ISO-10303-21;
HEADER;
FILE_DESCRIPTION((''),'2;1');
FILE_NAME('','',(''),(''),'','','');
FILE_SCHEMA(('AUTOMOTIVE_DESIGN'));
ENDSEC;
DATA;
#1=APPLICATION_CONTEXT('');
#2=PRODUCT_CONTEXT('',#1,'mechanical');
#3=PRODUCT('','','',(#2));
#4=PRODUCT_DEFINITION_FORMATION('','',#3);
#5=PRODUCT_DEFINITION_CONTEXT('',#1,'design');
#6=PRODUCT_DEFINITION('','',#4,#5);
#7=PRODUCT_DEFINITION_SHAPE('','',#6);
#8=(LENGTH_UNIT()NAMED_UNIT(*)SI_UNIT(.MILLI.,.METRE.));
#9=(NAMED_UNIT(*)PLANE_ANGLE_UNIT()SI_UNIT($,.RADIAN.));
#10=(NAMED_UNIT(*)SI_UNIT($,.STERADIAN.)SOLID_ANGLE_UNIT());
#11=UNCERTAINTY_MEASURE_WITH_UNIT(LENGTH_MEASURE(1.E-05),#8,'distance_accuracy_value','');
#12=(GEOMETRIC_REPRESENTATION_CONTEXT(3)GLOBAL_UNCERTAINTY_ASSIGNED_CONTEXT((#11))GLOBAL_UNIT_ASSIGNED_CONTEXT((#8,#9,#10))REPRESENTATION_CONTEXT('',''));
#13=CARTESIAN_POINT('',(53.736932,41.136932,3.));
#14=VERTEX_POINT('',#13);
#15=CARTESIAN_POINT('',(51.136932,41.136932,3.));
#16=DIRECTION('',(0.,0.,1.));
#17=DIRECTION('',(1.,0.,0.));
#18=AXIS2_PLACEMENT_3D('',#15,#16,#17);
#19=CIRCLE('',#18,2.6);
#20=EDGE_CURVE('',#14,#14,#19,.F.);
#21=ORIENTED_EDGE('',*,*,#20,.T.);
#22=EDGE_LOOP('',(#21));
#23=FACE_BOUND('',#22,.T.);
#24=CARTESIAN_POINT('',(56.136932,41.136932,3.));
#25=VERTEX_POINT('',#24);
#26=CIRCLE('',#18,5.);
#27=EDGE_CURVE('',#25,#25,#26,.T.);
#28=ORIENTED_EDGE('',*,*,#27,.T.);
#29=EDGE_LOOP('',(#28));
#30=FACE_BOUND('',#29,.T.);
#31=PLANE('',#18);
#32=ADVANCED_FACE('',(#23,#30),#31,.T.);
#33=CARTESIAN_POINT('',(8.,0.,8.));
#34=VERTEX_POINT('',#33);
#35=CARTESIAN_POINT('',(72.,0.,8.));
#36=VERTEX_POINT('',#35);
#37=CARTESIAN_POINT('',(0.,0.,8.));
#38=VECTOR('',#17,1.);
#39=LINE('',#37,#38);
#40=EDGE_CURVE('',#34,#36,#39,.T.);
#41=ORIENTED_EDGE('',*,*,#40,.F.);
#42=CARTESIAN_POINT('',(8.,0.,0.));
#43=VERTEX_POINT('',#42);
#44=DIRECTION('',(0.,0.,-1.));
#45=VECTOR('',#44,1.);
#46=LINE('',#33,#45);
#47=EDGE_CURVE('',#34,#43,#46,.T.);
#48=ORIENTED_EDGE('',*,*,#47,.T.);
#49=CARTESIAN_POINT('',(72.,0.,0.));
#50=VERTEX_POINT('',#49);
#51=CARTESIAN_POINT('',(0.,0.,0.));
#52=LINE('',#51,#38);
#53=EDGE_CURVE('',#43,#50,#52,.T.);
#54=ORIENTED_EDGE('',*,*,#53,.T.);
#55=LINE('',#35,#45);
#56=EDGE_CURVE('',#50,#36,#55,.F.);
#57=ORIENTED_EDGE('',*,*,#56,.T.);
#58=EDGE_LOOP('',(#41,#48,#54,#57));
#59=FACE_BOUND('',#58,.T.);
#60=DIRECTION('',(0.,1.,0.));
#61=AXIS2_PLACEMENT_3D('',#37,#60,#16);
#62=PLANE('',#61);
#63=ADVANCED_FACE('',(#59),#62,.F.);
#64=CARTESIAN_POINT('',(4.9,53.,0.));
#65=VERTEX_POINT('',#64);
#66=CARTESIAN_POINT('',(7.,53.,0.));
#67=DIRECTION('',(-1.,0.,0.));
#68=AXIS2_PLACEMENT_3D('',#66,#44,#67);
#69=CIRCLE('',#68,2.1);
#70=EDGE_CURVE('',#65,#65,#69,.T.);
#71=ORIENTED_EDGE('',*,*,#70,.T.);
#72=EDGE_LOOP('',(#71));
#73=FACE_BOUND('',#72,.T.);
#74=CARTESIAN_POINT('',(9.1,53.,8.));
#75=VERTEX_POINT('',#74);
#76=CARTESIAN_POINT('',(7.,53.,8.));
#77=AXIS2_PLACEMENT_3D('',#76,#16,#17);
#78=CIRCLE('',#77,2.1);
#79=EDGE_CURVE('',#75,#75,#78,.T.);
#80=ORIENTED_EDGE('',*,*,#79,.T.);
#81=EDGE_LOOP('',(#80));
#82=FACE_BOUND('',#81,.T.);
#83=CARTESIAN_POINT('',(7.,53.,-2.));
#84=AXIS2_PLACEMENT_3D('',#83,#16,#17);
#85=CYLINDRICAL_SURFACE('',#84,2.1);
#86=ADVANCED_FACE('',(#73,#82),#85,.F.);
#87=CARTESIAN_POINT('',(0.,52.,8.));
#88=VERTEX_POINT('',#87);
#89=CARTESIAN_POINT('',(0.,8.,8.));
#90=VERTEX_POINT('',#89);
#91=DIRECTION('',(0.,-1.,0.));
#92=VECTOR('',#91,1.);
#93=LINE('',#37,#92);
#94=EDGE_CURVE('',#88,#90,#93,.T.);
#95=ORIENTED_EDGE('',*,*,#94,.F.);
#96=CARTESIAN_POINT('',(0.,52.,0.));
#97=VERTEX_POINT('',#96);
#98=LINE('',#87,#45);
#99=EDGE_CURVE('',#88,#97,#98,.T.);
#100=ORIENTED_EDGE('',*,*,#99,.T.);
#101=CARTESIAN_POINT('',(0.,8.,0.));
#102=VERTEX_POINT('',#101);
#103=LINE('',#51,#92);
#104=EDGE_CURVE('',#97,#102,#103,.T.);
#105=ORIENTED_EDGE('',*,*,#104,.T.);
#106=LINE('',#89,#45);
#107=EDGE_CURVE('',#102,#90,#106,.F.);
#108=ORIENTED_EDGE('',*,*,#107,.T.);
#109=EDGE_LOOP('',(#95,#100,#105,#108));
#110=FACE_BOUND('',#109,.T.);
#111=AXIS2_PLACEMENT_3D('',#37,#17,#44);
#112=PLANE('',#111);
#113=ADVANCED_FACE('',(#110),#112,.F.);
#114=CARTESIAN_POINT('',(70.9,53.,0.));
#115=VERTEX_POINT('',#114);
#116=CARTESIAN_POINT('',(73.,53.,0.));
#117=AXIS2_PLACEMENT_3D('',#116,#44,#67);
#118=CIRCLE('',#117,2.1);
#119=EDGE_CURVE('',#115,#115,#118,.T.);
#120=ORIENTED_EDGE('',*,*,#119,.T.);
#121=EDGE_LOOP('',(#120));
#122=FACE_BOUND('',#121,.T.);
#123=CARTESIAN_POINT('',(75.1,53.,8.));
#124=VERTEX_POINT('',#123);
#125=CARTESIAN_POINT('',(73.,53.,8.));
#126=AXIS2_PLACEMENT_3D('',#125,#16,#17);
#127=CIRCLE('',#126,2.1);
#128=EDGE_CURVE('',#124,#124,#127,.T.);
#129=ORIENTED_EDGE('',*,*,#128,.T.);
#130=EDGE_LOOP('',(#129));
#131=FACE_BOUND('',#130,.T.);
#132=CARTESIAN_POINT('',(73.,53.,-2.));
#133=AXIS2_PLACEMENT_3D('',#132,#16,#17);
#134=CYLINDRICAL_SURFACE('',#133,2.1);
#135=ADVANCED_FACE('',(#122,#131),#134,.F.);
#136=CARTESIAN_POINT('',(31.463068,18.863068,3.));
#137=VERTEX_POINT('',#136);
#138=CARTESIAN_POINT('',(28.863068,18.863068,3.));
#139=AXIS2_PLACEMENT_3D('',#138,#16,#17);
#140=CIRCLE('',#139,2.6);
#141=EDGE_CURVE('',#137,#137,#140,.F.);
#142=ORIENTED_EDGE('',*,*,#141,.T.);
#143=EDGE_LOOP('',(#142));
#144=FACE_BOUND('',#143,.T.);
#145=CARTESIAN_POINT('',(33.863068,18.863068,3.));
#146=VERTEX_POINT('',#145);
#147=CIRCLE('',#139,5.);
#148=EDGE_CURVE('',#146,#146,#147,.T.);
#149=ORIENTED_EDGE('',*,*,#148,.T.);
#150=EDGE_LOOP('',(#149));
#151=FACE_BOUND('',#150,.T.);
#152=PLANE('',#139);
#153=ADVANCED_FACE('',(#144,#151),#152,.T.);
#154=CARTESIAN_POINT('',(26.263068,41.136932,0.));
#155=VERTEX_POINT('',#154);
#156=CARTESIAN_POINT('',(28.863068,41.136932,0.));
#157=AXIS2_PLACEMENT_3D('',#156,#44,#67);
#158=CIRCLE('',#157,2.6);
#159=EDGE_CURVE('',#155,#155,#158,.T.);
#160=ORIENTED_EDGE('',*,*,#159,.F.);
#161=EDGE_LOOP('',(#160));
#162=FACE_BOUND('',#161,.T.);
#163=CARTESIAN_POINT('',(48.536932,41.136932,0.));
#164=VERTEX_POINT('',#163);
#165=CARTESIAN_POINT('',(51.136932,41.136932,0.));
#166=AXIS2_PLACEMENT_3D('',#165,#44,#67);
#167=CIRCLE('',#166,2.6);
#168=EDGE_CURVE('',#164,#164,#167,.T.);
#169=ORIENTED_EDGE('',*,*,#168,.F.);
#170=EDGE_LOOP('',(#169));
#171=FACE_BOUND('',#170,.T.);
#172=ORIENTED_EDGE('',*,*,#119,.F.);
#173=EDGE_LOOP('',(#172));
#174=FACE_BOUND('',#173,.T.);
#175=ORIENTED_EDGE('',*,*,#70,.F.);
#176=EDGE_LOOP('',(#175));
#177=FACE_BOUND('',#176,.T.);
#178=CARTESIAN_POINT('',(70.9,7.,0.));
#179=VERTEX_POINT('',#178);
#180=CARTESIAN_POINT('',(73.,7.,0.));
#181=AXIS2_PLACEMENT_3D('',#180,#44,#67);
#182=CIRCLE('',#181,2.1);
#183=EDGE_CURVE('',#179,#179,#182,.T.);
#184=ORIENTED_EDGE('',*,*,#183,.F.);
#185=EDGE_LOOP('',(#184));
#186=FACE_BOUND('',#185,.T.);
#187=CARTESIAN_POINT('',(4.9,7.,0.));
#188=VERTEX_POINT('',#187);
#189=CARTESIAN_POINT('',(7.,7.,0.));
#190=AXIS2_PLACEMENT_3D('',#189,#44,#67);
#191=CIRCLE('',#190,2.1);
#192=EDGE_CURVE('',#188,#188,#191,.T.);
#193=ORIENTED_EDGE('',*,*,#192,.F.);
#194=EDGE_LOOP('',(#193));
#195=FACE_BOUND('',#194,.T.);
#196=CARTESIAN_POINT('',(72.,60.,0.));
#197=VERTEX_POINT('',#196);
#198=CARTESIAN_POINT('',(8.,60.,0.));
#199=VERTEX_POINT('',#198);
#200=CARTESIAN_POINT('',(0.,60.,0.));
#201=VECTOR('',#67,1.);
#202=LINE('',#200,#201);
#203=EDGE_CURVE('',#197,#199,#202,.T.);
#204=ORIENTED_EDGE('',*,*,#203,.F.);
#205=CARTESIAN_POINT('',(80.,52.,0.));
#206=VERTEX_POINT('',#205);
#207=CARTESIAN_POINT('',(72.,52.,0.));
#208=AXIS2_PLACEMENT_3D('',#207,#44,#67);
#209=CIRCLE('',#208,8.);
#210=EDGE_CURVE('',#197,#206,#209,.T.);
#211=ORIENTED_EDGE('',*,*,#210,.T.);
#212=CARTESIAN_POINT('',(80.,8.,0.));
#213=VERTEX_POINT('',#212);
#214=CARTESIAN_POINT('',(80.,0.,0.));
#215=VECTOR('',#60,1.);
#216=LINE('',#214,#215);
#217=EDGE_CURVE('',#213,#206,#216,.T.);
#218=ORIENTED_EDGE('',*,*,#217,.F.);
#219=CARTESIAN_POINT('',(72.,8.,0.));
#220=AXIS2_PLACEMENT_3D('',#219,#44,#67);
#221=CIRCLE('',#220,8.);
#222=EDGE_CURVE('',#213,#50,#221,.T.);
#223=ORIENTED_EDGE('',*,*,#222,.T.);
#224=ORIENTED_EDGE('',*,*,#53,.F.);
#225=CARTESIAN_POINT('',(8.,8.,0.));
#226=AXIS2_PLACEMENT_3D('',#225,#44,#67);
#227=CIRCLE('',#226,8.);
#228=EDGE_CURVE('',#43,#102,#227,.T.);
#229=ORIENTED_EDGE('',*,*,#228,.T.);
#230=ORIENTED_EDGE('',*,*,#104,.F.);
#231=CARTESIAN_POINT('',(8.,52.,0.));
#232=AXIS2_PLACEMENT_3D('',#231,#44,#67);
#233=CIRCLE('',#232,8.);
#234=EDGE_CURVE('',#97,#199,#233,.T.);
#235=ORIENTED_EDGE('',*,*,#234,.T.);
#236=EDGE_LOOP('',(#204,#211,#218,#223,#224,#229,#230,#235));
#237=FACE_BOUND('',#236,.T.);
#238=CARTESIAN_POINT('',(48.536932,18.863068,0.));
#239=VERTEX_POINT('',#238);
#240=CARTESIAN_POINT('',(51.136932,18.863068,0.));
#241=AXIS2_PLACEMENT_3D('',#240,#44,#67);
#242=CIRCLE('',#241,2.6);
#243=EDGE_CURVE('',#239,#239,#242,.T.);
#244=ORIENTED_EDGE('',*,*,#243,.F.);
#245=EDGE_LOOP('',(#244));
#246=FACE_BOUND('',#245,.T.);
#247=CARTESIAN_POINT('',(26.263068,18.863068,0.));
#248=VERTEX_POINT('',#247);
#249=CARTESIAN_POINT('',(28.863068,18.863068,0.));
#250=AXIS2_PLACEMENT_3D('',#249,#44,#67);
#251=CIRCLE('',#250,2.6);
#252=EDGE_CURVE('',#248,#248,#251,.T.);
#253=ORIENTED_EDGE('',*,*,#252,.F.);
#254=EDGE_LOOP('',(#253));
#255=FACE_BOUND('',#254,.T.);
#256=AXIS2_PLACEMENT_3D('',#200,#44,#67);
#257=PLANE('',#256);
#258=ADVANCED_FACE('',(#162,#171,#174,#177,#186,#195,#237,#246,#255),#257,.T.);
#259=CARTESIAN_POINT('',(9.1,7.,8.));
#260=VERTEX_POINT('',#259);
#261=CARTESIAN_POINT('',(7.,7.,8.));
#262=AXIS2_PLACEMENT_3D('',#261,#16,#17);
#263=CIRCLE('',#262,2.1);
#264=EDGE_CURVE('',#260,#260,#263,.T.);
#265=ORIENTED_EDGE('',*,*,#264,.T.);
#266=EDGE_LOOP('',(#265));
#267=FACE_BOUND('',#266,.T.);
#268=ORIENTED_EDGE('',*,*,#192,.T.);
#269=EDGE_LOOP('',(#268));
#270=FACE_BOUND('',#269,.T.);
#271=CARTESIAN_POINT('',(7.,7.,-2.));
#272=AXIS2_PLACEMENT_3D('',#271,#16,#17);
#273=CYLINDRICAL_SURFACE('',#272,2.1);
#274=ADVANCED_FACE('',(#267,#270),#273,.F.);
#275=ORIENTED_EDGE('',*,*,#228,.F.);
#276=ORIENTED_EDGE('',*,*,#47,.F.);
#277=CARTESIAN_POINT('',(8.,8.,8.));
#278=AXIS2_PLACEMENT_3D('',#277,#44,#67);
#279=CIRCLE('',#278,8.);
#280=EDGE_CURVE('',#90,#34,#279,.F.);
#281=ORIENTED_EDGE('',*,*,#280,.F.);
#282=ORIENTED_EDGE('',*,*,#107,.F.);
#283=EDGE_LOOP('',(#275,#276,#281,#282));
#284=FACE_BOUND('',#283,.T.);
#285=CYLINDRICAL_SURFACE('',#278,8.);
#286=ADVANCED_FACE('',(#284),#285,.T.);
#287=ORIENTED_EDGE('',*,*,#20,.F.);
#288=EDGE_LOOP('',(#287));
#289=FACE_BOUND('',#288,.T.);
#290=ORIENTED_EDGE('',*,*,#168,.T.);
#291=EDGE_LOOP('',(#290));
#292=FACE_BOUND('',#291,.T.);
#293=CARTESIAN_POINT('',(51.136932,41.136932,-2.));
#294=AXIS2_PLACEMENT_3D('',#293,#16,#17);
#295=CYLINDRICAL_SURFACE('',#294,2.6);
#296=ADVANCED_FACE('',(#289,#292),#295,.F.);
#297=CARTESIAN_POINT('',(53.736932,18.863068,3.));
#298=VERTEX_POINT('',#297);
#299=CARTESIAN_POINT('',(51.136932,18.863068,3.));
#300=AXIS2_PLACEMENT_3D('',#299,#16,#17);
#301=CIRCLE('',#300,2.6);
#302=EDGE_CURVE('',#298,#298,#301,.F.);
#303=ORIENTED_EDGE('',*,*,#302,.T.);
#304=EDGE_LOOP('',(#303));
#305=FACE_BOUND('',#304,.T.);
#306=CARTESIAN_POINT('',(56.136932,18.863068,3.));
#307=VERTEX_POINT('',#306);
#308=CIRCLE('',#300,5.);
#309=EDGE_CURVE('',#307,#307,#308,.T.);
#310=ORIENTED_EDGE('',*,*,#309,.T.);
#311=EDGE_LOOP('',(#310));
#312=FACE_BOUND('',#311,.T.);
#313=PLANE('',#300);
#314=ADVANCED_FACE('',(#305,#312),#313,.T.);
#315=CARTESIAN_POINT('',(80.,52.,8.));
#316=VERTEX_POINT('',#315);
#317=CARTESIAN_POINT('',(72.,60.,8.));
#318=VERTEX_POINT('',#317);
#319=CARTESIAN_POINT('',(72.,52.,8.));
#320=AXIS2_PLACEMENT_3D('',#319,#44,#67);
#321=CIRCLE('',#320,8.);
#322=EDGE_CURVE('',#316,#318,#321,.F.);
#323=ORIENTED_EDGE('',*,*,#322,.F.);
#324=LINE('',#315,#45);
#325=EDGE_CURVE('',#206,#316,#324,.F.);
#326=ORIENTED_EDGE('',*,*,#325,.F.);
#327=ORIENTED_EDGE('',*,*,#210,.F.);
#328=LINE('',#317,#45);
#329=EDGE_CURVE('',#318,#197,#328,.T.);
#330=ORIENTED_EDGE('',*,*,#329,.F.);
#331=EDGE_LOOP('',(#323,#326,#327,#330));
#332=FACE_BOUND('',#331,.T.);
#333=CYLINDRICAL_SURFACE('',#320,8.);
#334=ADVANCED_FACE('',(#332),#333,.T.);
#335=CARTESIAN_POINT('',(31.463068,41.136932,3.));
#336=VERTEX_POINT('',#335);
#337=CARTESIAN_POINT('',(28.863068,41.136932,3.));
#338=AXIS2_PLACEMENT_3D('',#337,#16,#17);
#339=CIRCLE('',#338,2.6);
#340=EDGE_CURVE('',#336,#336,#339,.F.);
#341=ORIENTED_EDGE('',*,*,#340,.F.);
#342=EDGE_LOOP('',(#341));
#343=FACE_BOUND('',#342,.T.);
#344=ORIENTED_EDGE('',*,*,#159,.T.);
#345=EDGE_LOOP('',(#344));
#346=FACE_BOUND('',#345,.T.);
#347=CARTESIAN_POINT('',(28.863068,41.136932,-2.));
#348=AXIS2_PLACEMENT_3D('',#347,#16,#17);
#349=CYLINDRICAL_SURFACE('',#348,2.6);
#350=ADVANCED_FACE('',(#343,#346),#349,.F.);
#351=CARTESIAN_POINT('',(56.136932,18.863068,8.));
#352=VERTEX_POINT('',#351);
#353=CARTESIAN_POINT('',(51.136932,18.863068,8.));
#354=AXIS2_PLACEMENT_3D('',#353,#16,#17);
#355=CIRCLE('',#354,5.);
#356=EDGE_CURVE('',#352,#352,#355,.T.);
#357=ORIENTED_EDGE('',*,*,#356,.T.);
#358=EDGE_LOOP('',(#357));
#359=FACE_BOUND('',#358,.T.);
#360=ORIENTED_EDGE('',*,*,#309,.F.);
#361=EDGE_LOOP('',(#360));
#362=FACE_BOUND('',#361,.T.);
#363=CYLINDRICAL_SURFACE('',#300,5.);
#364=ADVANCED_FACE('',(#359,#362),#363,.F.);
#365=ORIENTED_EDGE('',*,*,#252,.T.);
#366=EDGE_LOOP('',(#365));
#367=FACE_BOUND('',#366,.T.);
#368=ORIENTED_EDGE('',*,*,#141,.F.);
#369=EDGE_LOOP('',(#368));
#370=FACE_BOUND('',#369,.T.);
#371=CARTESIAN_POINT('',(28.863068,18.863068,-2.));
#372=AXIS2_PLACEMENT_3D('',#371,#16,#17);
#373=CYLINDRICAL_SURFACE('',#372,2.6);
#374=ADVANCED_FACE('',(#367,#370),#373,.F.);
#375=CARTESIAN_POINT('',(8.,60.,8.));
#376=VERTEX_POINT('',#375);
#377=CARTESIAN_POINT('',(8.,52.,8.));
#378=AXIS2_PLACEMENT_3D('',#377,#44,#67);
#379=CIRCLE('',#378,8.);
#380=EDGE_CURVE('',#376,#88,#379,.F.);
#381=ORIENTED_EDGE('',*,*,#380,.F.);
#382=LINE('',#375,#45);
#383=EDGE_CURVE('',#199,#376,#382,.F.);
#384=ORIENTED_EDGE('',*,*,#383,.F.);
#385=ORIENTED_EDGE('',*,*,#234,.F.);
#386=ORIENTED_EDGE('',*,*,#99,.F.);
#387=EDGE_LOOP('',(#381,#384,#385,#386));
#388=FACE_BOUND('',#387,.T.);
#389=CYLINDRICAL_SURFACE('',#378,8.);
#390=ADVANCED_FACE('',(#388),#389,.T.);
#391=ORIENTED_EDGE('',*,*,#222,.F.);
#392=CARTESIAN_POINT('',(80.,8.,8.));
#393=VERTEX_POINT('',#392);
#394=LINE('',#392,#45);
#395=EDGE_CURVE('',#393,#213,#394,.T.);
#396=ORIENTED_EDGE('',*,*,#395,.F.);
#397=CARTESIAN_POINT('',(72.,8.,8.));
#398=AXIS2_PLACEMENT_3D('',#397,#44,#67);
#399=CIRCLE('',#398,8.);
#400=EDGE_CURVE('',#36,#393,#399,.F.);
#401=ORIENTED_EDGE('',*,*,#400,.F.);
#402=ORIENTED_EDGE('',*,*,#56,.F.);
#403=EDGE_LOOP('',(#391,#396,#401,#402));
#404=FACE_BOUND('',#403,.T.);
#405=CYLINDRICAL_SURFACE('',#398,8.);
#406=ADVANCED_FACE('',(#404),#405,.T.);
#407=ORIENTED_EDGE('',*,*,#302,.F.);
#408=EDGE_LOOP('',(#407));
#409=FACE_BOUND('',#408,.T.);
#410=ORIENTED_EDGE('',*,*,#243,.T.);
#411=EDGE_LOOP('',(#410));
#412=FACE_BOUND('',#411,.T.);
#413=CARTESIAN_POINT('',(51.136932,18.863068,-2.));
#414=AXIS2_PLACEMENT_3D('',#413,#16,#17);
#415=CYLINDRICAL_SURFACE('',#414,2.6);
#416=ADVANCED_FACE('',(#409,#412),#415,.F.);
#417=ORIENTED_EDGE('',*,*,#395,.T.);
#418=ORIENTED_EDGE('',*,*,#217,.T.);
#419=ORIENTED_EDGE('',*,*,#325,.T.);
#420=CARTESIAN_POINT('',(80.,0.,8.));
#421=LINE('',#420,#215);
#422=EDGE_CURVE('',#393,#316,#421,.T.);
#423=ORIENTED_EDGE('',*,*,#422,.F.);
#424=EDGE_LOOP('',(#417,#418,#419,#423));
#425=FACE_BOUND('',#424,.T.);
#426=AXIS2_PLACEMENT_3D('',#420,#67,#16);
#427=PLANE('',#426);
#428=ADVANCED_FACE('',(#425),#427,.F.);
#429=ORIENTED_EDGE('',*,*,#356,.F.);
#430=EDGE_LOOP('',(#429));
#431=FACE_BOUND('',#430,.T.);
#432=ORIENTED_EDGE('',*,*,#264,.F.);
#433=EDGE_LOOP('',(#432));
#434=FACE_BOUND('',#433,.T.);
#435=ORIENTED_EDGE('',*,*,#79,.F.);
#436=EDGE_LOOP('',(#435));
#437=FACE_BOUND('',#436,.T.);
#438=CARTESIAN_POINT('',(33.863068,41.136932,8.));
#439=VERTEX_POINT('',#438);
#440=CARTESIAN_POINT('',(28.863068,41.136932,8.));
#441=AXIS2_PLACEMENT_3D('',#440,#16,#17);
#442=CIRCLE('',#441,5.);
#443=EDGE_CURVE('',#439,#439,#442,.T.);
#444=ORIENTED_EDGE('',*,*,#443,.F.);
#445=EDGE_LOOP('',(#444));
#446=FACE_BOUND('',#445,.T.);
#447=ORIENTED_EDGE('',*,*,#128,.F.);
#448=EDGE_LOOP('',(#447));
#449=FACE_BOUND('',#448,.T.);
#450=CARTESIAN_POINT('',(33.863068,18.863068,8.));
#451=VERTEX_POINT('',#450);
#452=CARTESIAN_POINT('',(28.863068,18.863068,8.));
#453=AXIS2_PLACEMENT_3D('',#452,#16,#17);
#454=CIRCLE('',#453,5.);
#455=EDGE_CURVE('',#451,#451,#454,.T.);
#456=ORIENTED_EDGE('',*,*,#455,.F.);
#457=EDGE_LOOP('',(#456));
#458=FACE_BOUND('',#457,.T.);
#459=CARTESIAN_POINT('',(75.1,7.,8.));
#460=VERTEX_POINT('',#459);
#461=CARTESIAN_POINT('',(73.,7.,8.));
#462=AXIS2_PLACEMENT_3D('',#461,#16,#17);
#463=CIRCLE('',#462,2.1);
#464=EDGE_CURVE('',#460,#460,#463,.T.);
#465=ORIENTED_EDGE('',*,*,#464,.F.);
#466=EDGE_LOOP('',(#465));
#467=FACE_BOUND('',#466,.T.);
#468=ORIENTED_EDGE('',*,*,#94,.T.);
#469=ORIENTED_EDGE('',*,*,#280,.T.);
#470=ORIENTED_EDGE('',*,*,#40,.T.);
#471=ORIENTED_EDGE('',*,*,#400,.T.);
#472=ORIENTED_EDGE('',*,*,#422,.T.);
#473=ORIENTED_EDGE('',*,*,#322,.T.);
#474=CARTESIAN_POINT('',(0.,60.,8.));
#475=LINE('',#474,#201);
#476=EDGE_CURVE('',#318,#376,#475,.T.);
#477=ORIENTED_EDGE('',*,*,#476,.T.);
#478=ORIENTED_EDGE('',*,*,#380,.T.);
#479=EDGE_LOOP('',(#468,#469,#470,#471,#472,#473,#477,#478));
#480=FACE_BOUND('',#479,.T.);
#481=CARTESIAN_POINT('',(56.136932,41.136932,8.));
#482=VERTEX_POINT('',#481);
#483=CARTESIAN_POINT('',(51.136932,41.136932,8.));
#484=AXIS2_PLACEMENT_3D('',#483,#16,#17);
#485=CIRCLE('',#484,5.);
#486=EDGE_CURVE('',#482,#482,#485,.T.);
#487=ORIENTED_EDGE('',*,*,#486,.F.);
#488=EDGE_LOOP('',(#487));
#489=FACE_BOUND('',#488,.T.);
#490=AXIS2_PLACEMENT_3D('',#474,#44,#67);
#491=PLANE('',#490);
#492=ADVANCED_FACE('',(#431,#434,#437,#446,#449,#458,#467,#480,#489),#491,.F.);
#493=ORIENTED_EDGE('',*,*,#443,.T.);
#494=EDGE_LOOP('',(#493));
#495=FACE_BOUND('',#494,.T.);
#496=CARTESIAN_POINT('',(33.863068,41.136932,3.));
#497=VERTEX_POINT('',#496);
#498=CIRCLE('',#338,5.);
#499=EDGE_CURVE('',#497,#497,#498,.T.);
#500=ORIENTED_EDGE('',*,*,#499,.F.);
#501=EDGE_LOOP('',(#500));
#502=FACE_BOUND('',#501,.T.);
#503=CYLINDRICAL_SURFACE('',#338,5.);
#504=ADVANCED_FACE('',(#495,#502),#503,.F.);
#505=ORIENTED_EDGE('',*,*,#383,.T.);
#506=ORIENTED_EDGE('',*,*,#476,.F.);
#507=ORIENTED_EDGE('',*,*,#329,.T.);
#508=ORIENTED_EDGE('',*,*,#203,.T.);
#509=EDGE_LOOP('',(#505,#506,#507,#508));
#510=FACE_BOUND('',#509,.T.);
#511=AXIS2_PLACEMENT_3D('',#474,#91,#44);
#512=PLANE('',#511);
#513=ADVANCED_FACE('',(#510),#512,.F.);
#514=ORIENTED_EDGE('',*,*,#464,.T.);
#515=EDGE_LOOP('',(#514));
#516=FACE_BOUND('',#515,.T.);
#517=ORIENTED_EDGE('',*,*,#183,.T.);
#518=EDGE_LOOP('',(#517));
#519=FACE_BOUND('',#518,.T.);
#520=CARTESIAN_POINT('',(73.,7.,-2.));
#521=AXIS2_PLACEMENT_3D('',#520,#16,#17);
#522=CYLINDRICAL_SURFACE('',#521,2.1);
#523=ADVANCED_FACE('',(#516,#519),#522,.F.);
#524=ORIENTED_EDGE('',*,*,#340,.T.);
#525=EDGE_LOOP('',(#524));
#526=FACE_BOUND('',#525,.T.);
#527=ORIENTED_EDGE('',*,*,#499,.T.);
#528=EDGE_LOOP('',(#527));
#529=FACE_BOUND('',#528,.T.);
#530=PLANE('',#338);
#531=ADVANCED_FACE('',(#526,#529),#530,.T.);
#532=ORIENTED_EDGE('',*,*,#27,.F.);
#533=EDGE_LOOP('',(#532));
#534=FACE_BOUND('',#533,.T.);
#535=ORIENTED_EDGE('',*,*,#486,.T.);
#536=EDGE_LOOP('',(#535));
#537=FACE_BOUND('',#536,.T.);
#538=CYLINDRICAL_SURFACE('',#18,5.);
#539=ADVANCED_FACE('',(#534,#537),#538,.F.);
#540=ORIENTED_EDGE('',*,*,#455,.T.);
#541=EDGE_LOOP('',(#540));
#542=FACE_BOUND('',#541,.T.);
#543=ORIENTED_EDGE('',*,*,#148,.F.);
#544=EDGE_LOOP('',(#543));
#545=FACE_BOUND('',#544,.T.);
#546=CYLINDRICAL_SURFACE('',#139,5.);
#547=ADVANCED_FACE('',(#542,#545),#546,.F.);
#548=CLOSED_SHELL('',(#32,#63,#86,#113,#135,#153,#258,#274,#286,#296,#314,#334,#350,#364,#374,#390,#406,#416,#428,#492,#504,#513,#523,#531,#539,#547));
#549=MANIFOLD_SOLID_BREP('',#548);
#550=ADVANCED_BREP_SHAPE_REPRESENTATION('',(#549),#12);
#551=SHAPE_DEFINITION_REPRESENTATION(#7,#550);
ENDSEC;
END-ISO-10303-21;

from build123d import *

# Parameters (mm, degrees)
SKETCH_1_W          = 80
SKETCH_1_H          = 60
EXTRUDE_1_DEPTH     = 8
SKETCH_2_R          = 2.6
CUT_EXTRUDE_1_DEPTH = 10
FILLET_1_R          = 8
SKETCH_3_R          = 5
CUT_EXTRUDE_2_DEPTH = 5
SKETCH_5_R          = 2.1
CUT_EXTRUDE_4_DEPTH = 10


with BuildPart() as part:
    # ｽｹｯﾁ1 → ﾎﾞｽ - 押し出し1 (new body)
    with BuildSketch(Plane.XY):
        with Locations((40, 30)):
            Rectangle(SKETCH_1_W, SKETCH_1_H)
    extrude(amount=EXTRUDE_1_DEPTH)

    # ｽｹｯﾁ2 → ｶｯﾄ - 押し出し1 (cut)
    with BuildSketch(Plane.XY.offset(8)):
        with Locations((28.863068196, 41.136931804)):
            Circle(SKETCH_2_R)
        with Locations((51.136931804, 41.136931804)):
            Circle(SKETCH_2_R)
        with Locations((51.136931804, 18.863068196)):
            Circle(SKETCH_2_R)
        with Locations((28.863068196, 18.863068196)):
            Circle(SKETCH_2_R)
    extrude(amount=-CUT_EXTRUDE_1_DEPTH, mode=Mode.SUBTRACT)

    # ﾌｨﾚｯﾄ1
    fillet_1_edges = [part.edges().sort_by_distance(p)[0] for p in [
        (0, 60, 4),
        (80, 60, 4),
        (80, 0, 4),
        (0, 0, 4),
    ]]
    fillet(fillet_1_edges, radius=FILLET_1_R)

    # ｽｹｯﾁ3 → ｶｯﾄ - 押し出し2 (cut)
    with BuildSketch(Plane.XY.offset(8)):
        with Locations((28.863068196, 41.136931804)):
            Circle(SKETCH_3_R)
        with Locations((51.136931804, 41.136931804)):
            Circle(SKETCH_3_R)
        with Locations((28.863068196, 18.863068196)):
            Circle(SKETCH_3_R)
        with Locations((51.136931804, 18.863068196)):
            Circle(SKETCH_3_R)
    extrude(amount=-CUT_EXTRUDE_2_DEPTH, mode=Mode.SUBTRACT)

    # ｽｹｯﾁ5 → ｶｯﾄ - 押し出し4 (cut)
    with BuildSketch(Plane.XY.offset(8)):
        with Locations((7, 53)):
            Circle(SKETCH_5_R)
        with Locations((73, 53)):
            Circle(SKETCH_5_R)
        with Locations((73, 7)):
            Circle(SKETCH_5_R)
        with Locations((7, 7)):
            Circle(SKETCH_5_R)
    extrude(amount=-CUT_EXTRUDE_4_DEPTH, mode=Mode.SUBTRACT)


solid = part.part
